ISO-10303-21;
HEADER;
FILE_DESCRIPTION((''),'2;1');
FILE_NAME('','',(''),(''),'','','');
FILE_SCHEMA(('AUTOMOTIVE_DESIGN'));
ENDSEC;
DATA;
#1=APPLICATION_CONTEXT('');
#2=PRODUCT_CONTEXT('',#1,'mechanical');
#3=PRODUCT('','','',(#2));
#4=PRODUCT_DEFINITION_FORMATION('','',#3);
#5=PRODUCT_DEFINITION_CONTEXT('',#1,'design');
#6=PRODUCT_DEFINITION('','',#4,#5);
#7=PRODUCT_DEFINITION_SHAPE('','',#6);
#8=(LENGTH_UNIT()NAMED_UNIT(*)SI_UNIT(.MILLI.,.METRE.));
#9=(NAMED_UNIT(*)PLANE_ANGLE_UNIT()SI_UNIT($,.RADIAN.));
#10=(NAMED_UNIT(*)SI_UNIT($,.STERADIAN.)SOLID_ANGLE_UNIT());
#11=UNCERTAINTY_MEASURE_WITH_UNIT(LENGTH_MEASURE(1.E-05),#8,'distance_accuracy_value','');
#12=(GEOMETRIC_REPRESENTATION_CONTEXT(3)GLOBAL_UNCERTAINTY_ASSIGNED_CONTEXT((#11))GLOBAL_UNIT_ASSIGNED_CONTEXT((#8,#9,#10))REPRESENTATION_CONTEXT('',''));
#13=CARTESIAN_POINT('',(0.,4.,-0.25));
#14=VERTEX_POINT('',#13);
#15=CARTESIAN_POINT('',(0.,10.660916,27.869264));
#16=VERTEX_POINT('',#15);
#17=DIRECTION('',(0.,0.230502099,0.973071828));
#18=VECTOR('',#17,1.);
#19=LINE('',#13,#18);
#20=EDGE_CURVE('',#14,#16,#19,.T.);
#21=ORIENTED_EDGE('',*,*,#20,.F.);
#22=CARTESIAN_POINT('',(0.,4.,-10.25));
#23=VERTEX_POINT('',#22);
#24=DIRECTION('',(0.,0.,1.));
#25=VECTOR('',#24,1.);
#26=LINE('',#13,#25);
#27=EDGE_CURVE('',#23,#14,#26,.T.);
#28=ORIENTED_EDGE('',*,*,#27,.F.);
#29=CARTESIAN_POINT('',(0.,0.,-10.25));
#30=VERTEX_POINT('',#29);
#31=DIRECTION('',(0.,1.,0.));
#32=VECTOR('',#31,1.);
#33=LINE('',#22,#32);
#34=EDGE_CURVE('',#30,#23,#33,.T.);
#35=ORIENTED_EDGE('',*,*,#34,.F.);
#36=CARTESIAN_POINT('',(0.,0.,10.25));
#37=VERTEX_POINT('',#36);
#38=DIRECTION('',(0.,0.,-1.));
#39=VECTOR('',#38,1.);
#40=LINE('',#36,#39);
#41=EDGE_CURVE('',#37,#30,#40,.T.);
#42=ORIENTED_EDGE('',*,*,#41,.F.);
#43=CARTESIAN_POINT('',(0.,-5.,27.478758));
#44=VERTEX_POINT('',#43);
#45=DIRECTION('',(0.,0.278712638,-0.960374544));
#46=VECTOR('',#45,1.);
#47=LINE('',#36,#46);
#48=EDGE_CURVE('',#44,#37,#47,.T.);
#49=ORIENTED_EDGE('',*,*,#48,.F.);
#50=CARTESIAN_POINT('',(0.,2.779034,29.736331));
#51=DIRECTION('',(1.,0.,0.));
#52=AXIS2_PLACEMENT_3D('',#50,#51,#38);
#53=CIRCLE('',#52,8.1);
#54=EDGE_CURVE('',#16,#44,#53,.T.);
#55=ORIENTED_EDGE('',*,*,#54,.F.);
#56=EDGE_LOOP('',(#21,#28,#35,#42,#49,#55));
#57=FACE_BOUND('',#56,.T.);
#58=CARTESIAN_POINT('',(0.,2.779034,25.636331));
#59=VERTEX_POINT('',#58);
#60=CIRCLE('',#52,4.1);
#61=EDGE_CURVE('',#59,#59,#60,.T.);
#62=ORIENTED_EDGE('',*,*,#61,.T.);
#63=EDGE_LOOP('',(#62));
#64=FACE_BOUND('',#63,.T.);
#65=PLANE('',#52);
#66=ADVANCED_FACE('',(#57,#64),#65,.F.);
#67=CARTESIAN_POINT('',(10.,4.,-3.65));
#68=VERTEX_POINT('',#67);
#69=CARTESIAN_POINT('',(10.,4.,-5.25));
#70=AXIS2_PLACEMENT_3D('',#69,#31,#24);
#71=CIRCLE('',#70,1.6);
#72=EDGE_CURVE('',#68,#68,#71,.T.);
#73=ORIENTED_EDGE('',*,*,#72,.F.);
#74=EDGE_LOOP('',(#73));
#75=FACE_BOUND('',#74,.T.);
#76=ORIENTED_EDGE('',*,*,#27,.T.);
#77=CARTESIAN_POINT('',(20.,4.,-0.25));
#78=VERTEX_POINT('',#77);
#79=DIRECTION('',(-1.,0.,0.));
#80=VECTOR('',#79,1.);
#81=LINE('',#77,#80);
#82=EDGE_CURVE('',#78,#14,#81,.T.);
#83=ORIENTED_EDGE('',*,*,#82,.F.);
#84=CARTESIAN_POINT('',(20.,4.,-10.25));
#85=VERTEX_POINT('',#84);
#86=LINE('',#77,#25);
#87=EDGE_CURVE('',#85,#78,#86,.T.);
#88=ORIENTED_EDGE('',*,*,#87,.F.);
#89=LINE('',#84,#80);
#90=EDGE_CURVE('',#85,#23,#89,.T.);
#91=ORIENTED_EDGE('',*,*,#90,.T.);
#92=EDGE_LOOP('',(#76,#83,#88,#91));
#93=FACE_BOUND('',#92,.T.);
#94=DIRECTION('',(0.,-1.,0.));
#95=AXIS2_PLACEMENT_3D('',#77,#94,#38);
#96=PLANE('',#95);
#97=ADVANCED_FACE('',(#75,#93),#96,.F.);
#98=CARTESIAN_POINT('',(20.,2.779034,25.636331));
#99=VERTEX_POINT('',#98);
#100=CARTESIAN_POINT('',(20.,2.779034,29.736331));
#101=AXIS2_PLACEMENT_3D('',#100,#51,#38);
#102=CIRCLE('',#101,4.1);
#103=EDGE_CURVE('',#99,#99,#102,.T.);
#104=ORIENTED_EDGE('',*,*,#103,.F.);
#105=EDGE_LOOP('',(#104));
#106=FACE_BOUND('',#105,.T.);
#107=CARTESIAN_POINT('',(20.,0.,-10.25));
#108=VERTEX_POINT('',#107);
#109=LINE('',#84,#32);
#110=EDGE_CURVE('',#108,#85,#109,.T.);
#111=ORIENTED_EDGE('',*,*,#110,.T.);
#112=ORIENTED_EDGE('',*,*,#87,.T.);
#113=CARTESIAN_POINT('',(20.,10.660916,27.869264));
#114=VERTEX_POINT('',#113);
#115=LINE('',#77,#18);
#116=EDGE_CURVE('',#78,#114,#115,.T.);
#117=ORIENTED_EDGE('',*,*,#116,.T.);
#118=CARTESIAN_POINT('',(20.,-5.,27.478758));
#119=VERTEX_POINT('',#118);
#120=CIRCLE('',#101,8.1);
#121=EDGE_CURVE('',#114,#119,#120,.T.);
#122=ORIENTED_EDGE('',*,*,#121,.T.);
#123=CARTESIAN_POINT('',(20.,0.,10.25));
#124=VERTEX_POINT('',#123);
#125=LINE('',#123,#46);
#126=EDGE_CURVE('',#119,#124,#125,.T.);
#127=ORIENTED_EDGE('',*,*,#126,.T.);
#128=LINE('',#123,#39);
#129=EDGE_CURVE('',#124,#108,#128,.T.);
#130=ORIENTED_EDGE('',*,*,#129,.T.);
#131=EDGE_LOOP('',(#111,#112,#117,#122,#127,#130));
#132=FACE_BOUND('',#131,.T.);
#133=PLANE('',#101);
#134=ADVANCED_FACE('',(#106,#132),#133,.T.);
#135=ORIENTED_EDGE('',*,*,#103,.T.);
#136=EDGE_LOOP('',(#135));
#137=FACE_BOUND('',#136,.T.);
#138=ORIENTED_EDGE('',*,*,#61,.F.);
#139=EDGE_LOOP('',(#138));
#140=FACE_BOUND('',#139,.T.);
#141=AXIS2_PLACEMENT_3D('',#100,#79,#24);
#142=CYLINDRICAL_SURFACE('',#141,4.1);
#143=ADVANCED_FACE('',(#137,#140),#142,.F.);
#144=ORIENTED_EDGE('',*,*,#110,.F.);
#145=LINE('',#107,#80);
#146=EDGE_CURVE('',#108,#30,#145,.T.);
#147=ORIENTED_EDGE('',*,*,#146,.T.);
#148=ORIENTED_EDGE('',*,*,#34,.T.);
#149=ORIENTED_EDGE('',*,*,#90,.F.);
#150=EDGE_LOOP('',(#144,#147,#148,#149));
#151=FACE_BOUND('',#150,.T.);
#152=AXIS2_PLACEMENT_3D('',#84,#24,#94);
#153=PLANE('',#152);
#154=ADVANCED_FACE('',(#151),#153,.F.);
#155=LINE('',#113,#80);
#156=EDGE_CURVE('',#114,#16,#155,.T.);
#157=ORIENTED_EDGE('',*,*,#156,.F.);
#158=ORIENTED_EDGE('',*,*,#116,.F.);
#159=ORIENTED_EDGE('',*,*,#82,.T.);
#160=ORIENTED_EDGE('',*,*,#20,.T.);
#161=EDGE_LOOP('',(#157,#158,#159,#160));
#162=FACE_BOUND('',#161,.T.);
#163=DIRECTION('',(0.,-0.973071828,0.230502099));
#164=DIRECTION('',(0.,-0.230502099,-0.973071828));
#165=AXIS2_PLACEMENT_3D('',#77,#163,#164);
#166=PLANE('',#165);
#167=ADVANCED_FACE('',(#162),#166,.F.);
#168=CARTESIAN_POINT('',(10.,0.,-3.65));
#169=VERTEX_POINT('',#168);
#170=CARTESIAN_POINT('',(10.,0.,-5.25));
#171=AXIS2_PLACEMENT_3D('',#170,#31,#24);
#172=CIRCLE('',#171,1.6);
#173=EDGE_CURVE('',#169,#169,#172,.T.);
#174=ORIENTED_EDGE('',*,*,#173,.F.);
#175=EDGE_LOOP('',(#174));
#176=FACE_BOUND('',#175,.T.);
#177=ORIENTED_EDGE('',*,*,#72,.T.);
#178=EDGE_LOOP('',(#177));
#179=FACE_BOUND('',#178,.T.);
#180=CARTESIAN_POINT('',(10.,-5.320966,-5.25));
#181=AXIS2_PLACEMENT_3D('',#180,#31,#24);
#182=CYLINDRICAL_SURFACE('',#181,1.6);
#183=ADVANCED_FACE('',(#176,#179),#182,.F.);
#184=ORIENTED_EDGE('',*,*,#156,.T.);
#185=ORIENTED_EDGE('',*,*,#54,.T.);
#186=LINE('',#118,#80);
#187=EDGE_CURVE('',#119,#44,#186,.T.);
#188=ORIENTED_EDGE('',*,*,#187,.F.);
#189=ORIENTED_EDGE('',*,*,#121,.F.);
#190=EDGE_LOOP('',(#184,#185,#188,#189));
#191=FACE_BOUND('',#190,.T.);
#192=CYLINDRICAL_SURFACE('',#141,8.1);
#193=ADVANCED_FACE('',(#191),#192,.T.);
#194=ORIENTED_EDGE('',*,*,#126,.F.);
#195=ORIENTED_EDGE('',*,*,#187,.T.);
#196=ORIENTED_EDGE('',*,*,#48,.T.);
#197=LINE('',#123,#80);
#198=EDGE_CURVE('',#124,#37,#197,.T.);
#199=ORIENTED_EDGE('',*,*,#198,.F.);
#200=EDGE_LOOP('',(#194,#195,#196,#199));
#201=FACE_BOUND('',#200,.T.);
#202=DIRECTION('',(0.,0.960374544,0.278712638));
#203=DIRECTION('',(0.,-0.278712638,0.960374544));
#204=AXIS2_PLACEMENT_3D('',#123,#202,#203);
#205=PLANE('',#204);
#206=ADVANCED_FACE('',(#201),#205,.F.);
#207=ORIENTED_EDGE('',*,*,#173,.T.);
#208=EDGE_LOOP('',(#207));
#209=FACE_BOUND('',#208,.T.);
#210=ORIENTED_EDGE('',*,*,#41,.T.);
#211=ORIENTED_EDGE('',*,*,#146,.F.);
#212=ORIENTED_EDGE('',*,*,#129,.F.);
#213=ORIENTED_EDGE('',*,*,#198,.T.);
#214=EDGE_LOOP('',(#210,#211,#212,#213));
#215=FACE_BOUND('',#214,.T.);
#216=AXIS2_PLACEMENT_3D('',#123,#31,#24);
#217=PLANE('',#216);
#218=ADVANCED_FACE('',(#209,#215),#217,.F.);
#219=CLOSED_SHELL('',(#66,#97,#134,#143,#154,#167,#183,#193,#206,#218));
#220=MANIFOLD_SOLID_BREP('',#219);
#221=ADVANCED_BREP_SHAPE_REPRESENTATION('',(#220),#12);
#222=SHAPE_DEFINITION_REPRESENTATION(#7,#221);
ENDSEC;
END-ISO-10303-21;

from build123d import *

# Parameters (mm, degrees)
SKETCH1_R           = 4.1
BOSS_EXTRUDE1_DEPTH = 20
SKETCH2_R           = 1.6
CUT_EXTRUDE1_DEPTH  = 10.320966192


with BuildPart() as part:
    # Sketch1 → Boss-Extrude1 (new body)
    with BuildSketch(Plane(origin=(0, 0, 0), x_dir=(0, 0, -1), z_dir=(1, 0, 0))):
        with BuildLine():
            Line((-10.25, 0), (10.25, 0))
            Line((10.25, 0), (10.25, 4))
            Line((10.25, 4), (0.25, 4))
            Line((0.25, 4), (-27.869263808, 10.660915614))
            ThreePointArc((-27.869263808, 10.660915614), (-37.833813874, 2.577122842), (-27.47875844, -5))
            Line((-27.47875844, -5), (-10.25, 0))
        make_face()
        with Locations((-29.736330811, 2.779033808)):
            Circle(SKETCH1_R, mode=Mode.SUBTRACT)
    extrude(amount=BOSS_EXTRUDE1_DEPTH)

    # Sketch2 → Cut-Extrude1 (cut, through all)
    with BuildSketch(Plane(origin=(0, 4, 0), x_dir=(1, 0, 0), z_dir=(0, 1, 0))):
        with Locations((10, 5.25)):
            Circle(SKETCH2_R)
    extrude(amount=-CUT_EXTRUDE1_DEPTH, mode=Mode.SUBTRACT)


solid = part.part
